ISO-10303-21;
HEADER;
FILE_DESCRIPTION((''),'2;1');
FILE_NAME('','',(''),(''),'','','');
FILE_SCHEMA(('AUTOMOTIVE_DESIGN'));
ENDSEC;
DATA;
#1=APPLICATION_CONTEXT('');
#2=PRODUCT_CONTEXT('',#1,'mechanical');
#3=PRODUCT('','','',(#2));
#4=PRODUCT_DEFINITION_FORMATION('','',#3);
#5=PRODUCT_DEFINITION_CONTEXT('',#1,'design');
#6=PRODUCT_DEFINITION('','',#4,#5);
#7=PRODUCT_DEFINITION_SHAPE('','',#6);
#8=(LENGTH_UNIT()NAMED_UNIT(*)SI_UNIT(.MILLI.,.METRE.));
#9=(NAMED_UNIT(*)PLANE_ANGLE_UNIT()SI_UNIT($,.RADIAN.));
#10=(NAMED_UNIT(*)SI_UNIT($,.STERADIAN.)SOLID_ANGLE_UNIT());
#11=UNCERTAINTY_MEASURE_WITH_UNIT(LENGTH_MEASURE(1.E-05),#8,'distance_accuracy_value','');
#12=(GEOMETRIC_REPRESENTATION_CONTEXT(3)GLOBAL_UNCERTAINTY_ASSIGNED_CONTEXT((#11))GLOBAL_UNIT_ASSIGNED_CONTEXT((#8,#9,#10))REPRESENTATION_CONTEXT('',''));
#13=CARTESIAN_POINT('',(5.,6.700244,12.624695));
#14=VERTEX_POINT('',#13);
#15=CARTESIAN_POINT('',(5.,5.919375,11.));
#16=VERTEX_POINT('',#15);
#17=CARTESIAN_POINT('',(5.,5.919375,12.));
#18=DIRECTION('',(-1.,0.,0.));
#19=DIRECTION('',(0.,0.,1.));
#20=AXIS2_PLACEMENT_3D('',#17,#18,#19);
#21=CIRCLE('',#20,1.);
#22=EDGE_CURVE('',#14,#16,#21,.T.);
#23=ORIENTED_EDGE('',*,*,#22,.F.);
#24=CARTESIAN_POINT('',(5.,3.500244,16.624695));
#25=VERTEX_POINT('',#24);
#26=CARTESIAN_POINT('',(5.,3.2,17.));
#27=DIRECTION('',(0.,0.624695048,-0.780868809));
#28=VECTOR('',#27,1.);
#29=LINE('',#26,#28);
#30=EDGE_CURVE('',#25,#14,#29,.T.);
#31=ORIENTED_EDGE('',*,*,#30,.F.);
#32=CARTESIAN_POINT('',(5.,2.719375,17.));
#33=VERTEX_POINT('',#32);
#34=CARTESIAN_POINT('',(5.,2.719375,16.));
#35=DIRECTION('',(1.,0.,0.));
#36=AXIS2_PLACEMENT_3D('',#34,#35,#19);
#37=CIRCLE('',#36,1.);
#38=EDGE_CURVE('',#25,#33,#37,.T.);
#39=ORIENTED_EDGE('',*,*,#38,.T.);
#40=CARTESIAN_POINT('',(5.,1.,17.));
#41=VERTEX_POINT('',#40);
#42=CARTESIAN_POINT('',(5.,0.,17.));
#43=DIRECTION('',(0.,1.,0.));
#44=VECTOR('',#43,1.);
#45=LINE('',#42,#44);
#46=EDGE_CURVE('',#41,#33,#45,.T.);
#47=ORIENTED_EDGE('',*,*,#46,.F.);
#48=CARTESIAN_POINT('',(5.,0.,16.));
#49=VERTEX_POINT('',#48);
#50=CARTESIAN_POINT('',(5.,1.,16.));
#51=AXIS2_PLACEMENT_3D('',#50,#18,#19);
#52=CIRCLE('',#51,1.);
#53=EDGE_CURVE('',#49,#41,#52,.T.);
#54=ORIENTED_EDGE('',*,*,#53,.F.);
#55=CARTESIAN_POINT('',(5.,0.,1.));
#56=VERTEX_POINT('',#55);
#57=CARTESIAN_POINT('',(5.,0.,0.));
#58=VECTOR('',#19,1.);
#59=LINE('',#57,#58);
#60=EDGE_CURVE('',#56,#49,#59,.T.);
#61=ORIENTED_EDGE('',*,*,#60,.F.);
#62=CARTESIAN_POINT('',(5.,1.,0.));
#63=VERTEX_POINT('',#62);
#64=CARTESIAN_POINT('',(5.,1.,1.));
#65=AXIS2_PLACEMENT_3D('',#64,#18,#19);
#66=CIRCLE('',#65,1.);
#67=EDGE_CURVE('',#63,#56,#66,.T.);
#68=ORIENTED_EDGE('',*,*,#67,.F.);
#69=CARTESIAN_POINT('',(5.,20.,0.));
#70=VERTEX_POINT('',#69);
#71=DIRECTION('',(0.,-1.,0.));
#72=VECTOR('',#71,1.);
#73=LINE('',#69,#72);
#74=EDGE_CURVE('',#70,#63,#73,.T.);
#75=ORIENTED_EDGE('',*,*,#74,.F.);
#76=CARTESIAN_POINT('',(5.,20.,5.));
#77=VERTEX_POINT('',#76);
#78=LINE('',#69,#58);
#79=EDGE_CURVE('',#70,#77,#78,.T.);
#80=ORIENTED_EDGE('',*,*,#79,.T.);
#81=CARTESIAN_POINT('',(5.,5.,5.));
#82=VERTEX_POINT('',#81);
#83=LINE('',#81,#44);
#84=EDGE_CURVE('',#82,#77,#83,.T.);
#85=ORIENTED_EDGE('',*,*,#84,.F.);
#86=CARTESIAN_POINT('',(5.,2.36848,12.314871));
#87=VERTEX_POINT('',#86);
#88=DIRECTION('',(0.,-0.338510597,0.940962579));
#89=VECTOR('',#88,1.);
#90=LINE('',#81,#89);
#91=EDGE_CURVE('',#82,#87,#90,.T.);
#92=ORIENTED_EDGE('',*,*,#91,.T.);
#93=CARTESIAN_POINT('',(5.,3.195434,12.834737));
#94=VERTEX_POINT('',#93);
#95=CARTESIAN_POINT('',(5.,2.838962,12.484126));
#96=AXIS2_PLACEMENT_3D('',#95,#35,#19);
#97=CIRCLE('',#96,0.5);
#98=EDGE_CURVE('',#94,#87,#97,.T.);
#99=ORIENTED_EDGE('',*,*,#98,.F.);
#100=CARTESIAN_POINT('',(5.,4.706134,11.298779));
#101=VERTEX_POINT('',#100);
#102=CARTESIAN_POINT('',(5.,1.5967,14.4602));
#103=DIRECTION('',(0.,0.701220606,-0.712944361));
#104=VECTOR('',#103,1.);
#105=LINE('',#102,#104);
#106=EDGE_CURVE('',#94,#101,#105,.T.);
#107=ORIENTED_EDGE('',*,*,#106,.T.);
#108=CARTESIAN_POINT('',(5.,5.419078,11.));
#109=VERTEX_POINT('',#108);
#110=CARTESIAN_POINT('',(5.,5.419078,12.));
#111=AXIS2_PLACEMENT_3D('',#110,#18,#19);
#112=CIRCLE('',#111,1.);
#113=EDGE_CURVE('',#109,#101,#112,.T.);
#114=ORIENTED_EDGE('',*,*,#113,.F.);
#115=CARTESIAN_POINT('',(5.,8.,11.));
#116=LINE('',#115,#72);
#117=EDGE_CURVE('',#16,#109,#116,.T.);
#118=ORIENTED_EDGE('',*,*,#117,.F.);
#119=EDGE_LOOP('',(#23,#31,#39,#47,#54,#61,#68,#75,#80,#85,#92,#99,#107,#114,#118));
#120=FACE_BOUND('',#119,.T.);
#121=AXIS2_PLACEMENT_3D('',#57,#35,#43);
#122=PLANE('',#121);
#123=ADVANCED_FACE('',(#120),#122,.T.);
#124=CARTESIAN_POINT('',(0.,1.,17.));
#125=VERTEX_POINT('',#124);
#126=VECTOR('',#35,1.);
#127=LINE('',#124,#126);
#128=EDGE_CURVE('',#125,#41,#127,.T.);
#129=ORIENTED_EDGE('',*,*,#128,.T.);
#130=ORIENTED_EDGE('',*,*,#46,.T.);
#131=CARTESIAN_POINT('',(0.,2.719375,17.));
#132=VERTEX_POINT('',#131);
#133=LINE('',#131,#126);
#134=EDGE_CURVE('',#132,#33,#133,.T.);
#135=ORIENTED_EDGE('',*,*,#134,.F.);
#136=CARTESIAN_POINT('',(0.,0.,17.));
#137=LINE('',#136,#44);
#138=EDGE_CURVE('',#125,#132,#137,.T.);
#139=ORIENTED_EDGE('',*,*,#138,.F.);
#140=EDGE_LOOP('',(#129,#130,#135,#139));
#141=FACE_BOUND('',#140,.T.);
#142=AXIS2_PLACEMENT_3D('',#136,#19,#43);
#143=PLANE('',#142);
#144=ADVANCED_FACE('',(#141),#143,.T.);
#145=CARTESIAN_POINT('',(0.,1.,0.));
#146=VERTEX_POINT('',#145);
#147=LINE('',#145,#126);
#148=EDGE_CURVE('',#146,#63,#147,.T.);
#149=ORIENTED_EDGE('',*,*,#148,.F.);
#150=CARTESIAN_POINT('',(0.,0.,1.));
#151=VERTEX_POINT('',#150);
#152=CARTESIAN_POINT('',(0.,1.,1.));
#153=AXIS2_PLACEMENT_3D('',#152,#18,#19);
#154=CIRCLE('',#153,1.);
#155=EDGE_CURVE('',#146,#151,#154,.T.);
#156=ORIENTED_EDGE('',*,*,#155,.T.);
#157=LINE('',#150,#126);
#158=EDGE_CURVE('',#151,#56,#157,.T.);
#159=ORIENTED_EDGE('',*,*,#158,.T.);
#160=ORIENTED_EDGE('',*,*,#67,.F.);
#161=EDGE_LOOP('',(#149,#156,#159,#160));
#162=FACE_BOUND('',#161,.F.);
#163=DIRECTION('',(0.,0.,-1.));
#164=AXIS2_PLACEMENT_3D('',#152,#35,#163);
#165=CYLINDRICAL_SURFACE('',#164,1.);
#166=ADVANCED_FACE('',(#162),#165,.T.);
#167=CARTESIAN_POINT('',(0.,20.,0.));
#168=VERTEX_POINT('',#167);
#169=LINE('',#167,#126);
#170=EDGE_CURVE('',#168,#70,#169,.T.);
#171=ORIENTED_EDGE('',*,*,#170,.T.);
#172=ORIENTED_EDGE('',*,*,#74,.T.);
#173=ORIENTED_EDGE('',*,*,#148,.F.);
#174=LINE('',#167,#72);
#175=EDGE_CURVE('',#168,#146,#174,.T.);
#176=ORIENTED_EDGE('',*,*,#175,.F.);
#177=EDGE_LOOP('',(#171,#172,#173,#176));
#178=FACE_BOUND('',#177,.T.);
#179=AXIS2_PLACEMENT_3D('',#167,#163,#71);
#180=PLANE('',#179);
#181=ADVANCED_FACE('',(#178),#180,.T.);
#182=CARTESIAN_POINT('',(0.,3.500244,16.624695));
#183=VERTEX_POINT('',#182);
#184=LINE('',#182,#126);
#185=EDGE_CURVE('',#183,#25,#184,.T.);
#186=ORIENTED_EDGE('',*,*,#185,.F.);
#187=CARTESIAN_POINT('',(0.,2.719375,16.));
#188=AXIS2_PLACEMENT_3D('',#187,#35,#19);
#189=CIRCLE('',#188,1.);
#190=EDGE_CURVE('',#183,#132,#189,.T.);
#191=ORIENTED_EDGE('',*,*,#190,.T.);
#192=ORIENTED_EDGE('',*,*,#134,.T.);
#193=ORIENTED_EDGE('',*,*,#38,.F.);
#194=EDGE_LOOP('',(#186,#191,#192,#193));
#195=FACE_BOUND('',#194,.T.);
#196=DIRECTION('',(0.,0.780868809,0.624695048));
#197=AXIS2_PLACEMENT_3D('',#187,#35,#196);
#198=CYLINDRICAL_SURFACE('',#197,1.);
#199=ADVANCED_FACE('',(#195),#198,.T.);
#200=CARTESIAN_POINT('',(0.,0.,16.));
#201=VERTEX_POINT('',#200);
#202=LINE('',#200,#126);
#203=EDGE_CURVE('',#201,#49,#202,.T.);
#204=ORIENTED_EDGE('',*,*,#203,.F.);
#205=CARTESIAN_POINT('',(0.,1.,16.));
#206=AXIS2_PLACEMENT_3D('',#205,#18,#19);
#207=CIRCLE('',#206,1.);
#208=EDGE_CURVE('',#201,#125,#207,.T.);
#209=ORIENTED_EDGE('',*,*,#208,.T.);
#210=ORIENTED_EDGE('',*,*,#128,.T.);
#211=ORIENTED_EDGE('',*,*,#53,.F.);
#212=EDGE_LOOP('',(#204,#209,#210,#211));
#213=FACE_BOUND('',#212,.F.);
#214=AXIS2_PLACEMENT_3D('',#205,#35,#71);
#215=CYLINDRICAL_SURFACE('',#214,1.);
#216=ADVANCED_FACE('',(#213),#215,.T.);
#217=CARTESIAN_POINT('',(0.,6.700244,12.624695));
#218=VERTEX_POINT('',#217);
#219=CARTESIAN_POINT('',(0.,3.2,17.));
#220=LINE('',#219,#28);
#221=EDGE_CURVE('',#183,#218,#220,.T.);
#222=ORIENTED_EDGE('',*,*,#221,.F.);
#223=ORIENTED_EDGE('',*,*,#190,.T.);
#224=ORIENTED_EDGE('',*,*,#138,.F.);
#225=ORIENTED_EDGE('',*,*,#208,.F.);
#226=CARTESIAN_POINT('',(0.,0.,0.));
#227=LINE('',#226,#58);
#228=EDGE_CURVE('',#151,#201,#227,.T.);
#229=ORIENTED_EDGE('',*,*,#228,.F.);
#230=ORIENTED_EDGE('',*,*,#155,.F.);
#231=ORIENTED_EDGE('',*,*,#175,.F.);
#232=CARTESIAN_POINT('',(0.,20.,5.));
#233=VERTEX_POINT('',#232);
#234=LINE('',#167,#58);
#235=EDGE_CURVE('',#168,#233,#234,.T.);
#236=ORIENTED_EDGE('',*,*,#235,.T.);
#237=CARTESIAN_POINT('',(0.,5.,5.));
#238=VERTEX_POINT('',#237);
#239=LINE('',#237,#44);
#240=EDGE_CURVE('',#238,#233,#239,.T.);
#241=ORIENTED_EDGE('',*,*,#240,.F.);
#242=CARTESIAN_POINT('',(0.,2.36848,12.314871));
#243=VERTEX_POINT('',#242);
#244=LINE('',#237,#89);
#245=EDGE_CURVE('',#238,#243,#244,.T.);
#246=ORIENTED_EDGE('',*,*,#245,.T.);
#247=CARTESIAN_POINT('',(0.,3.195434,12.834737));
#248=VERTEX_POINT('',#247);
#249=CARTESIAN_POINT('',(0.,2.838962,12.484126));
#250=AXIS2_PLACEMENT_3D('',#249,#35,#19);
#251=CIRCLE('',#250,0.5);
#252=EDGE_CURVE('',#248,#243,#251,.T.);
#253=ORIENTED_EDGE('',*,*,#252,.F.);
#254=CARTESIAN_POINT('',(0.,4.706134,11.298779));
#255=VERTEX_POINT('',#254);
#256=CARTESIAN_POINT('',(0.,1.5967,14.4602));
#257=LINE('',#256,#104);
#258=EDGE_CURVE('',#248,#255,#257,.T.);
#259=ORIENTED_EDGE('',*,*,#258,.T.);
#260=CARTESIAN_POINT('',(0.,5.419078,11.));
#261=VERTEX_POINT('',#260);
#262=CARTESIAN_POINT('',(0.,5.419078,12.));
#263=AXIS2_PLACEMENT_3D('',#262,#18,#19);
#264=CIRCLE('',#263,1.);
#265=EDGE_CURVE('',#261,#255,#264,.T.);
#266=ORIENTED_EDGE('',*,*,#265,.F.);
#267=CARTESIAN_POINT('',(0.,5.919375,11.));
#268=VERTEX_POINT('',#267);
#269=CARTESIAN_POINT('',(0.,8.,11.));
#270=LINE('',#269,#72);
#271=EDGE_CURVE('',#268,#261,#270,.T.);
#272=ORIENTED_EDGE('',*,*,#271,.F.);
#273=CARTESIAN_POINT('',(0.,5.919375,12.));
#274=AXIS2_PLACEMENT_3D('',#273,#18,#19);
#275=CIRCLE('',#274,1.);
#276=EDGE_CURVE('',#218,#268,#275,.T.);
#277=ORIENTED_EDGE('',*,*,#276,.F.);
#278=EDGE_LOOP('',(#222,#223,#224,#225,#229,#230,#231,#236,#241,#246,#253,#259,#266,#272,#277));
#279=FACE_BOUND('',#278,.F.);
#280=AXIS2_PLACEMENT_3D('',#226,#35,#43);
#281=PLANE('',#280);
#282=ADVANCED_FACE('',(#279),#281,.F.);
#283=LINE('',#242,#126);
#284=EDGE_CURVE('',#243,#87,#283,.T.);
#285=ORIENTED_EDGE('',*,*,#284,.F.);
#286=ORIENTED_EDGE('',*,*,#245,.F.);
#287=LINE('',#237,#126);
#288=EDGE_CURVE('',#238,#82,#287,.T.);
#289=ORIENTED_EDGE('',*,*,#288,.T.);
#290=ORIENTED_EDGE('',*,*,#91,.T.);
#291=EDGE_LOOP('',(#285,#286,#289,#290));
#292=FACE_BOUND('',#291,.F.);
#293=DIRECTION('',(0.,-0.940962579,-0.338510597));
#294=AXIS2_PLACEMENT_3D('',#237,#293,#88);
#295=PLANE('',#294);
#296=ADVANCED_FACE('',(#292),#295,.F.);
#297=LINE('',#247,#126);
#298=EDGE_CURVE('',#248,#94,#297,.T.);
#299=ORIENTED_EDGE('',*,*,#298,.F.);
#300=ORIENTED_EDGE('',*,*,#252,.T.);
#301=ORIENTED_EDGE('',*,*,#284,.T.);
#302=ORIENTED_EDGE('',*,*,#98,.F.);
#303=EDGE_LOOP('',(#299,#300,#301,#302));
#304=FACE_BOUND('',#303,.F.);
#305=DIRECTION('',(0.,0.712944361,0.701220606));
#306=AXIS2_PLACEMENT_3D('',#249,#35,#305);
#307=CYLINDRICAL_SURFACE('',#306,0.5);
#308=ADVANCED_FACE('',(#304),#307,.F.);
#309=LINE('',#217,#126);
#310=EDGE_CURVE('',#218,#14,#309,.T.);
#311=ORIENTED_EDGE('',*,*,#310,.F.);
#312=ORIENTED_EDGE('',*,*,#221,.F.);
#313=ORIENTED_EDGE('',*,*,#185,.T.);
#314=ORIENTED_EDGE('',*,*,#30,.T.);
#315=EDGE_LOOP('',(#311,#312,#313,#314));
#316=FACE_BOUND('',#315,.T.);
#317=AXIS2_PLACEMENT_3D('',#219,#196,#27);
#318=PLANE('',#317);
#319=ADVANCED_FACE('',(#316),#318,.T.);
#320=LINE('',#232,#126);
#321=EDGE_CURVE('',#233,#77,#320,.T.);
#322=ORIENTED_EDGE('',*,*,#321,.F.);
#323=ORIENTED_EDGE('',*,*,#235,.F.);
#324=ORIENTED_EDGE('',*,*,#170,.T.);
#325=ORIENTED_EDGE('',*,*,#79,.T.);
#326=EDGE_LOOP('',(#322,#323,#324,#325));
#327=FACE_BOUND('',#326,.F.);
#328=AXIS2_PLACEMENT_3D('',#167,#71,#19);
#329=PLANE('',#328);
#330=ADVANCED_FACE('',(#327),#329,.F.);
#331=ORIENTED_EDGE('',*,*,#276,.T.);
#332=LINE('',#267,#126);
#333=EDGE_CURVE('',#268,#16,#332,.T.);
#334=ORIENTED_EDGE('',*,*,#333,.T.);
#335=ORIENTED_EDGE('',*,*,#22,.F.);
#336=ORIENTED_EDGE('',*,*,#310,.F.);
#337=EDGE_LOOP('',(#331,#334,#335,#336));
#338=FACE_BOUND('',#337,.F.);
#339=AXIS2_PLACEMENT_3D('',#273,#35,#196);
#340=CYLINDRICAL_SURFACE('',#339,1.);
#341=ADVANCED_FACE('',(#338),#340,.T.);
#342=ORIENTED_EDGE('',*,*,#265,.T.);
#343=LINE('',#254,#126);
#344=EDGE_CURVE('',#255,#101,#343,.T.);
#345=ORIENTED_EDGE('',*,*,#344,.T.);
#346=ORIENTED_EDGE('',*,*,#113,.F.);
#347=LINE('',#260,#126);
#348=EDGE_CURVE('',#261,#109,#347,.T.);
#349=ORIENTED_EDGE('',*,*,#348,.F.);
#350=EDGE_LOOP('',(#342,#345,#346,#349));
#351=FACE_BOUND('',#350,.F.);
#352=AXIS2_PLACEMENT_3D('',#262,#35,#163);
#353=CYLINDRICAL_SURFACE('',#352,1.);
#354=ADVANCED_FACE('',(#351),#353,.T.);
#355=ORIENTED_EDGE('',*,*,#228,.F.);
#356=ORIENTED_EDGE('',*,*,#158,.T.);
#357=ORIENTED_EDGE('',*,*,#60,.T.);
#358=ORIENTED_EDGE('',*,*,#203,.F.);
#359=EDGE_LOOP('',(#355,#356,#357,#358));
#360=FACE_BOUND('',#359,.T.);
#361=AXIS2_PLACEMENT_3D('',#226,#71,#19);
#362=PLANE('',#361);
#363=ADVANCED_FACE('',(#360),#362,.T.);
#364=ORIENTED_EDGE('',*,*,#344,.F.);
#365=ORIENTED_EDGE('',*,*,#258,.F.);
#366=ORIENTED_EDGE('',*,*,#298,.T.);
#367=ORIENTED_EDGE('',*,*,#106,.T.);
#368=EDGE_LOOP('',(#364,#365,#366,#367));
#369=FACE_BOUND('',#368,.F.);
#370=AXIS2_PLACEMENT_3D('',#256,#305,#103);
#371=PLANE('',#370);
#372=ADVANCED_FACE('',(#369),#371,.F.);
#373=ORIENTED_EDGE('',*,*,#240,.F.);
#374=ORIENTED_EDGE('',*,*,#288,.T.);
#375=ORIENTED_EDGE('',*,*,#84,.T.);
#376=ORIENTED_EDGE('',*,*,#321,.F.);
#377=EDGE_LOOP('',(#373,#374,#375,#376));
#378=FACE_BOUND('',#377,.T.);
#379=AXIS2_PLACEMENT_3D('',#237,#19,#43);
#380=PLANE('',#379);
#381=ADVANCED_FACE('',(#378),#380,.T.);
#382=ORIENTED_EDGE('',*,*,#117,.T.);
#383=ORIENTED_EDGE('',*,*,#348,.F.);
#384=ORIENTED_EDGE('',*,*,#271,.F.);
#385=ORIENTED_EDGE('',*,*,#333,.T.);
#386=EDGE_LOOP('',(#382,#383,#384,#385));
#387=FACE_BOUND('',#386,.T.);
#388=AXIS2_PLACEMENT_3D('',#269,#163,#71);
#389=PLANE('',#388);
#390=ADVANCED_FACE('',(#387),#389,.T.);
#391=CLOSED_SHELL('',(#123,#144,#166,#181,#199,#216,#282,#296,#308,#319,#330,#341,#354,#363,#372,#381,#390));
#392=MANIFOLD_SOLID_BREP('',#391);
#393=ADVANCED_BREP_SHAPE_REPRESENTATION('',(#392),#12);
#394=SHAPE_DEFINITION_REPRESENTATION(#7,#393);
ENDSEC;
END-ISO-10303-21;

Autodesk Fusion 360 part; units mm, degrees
sketch "Sketch1" plane through (0, 0, 0) normal (1, 0, 0) x (0, 1, 0)
  line L0 (3.2, 17) -> (8, 11)
  line L1 (8, 11) -> (5, 11)
  line L2 (0, 17) -> (3.2, 17)
  line L3 (5, 11) -> (5, 5) construction
  line L4 (0, 17) -> (5, 9.0465) construction
  line L5 (20, 0) -> (0, 0)
  line L6 (5, 5) -> (1.5967, 14.4602)
  line L7 (0, 0) -> (0, 21) construction
  line L8 (0, 21) -> (8, 11) construction
  line L9 (5, 5) -> (20, 5)
  line L10 (0, 0) -> (0, 17)
  line L11 (1.5967, 14.4602) -> (5, 11)
  line L12 (2.1849, 12.8252) -> (2.8151, 13.2214) construction
  line L13 (20, 0) -> (20, 5)
  dimension "d4" = 20
  dimension "d5" = 8
  dimension "d6" = 5
  dimension "d7" = 21
  dimension "d8" = 6
  dimension "d9" = 5
  dimension "d25" = 17
  dimension "d26" = 3
extrude "Extrude1" add sketch "Sketch1" along normal blind 5
fillet "Fillet1" radius 1 5 edges at (2.5, 3.2, 17) (2.5, 0, 17) (2.5, 0, 0) (2.5, 5, 11) (2.5, 8, 11)
fillet "Fillet2" radius 0.5 1 edges at (2.5, 1.5967, 14.4602)
